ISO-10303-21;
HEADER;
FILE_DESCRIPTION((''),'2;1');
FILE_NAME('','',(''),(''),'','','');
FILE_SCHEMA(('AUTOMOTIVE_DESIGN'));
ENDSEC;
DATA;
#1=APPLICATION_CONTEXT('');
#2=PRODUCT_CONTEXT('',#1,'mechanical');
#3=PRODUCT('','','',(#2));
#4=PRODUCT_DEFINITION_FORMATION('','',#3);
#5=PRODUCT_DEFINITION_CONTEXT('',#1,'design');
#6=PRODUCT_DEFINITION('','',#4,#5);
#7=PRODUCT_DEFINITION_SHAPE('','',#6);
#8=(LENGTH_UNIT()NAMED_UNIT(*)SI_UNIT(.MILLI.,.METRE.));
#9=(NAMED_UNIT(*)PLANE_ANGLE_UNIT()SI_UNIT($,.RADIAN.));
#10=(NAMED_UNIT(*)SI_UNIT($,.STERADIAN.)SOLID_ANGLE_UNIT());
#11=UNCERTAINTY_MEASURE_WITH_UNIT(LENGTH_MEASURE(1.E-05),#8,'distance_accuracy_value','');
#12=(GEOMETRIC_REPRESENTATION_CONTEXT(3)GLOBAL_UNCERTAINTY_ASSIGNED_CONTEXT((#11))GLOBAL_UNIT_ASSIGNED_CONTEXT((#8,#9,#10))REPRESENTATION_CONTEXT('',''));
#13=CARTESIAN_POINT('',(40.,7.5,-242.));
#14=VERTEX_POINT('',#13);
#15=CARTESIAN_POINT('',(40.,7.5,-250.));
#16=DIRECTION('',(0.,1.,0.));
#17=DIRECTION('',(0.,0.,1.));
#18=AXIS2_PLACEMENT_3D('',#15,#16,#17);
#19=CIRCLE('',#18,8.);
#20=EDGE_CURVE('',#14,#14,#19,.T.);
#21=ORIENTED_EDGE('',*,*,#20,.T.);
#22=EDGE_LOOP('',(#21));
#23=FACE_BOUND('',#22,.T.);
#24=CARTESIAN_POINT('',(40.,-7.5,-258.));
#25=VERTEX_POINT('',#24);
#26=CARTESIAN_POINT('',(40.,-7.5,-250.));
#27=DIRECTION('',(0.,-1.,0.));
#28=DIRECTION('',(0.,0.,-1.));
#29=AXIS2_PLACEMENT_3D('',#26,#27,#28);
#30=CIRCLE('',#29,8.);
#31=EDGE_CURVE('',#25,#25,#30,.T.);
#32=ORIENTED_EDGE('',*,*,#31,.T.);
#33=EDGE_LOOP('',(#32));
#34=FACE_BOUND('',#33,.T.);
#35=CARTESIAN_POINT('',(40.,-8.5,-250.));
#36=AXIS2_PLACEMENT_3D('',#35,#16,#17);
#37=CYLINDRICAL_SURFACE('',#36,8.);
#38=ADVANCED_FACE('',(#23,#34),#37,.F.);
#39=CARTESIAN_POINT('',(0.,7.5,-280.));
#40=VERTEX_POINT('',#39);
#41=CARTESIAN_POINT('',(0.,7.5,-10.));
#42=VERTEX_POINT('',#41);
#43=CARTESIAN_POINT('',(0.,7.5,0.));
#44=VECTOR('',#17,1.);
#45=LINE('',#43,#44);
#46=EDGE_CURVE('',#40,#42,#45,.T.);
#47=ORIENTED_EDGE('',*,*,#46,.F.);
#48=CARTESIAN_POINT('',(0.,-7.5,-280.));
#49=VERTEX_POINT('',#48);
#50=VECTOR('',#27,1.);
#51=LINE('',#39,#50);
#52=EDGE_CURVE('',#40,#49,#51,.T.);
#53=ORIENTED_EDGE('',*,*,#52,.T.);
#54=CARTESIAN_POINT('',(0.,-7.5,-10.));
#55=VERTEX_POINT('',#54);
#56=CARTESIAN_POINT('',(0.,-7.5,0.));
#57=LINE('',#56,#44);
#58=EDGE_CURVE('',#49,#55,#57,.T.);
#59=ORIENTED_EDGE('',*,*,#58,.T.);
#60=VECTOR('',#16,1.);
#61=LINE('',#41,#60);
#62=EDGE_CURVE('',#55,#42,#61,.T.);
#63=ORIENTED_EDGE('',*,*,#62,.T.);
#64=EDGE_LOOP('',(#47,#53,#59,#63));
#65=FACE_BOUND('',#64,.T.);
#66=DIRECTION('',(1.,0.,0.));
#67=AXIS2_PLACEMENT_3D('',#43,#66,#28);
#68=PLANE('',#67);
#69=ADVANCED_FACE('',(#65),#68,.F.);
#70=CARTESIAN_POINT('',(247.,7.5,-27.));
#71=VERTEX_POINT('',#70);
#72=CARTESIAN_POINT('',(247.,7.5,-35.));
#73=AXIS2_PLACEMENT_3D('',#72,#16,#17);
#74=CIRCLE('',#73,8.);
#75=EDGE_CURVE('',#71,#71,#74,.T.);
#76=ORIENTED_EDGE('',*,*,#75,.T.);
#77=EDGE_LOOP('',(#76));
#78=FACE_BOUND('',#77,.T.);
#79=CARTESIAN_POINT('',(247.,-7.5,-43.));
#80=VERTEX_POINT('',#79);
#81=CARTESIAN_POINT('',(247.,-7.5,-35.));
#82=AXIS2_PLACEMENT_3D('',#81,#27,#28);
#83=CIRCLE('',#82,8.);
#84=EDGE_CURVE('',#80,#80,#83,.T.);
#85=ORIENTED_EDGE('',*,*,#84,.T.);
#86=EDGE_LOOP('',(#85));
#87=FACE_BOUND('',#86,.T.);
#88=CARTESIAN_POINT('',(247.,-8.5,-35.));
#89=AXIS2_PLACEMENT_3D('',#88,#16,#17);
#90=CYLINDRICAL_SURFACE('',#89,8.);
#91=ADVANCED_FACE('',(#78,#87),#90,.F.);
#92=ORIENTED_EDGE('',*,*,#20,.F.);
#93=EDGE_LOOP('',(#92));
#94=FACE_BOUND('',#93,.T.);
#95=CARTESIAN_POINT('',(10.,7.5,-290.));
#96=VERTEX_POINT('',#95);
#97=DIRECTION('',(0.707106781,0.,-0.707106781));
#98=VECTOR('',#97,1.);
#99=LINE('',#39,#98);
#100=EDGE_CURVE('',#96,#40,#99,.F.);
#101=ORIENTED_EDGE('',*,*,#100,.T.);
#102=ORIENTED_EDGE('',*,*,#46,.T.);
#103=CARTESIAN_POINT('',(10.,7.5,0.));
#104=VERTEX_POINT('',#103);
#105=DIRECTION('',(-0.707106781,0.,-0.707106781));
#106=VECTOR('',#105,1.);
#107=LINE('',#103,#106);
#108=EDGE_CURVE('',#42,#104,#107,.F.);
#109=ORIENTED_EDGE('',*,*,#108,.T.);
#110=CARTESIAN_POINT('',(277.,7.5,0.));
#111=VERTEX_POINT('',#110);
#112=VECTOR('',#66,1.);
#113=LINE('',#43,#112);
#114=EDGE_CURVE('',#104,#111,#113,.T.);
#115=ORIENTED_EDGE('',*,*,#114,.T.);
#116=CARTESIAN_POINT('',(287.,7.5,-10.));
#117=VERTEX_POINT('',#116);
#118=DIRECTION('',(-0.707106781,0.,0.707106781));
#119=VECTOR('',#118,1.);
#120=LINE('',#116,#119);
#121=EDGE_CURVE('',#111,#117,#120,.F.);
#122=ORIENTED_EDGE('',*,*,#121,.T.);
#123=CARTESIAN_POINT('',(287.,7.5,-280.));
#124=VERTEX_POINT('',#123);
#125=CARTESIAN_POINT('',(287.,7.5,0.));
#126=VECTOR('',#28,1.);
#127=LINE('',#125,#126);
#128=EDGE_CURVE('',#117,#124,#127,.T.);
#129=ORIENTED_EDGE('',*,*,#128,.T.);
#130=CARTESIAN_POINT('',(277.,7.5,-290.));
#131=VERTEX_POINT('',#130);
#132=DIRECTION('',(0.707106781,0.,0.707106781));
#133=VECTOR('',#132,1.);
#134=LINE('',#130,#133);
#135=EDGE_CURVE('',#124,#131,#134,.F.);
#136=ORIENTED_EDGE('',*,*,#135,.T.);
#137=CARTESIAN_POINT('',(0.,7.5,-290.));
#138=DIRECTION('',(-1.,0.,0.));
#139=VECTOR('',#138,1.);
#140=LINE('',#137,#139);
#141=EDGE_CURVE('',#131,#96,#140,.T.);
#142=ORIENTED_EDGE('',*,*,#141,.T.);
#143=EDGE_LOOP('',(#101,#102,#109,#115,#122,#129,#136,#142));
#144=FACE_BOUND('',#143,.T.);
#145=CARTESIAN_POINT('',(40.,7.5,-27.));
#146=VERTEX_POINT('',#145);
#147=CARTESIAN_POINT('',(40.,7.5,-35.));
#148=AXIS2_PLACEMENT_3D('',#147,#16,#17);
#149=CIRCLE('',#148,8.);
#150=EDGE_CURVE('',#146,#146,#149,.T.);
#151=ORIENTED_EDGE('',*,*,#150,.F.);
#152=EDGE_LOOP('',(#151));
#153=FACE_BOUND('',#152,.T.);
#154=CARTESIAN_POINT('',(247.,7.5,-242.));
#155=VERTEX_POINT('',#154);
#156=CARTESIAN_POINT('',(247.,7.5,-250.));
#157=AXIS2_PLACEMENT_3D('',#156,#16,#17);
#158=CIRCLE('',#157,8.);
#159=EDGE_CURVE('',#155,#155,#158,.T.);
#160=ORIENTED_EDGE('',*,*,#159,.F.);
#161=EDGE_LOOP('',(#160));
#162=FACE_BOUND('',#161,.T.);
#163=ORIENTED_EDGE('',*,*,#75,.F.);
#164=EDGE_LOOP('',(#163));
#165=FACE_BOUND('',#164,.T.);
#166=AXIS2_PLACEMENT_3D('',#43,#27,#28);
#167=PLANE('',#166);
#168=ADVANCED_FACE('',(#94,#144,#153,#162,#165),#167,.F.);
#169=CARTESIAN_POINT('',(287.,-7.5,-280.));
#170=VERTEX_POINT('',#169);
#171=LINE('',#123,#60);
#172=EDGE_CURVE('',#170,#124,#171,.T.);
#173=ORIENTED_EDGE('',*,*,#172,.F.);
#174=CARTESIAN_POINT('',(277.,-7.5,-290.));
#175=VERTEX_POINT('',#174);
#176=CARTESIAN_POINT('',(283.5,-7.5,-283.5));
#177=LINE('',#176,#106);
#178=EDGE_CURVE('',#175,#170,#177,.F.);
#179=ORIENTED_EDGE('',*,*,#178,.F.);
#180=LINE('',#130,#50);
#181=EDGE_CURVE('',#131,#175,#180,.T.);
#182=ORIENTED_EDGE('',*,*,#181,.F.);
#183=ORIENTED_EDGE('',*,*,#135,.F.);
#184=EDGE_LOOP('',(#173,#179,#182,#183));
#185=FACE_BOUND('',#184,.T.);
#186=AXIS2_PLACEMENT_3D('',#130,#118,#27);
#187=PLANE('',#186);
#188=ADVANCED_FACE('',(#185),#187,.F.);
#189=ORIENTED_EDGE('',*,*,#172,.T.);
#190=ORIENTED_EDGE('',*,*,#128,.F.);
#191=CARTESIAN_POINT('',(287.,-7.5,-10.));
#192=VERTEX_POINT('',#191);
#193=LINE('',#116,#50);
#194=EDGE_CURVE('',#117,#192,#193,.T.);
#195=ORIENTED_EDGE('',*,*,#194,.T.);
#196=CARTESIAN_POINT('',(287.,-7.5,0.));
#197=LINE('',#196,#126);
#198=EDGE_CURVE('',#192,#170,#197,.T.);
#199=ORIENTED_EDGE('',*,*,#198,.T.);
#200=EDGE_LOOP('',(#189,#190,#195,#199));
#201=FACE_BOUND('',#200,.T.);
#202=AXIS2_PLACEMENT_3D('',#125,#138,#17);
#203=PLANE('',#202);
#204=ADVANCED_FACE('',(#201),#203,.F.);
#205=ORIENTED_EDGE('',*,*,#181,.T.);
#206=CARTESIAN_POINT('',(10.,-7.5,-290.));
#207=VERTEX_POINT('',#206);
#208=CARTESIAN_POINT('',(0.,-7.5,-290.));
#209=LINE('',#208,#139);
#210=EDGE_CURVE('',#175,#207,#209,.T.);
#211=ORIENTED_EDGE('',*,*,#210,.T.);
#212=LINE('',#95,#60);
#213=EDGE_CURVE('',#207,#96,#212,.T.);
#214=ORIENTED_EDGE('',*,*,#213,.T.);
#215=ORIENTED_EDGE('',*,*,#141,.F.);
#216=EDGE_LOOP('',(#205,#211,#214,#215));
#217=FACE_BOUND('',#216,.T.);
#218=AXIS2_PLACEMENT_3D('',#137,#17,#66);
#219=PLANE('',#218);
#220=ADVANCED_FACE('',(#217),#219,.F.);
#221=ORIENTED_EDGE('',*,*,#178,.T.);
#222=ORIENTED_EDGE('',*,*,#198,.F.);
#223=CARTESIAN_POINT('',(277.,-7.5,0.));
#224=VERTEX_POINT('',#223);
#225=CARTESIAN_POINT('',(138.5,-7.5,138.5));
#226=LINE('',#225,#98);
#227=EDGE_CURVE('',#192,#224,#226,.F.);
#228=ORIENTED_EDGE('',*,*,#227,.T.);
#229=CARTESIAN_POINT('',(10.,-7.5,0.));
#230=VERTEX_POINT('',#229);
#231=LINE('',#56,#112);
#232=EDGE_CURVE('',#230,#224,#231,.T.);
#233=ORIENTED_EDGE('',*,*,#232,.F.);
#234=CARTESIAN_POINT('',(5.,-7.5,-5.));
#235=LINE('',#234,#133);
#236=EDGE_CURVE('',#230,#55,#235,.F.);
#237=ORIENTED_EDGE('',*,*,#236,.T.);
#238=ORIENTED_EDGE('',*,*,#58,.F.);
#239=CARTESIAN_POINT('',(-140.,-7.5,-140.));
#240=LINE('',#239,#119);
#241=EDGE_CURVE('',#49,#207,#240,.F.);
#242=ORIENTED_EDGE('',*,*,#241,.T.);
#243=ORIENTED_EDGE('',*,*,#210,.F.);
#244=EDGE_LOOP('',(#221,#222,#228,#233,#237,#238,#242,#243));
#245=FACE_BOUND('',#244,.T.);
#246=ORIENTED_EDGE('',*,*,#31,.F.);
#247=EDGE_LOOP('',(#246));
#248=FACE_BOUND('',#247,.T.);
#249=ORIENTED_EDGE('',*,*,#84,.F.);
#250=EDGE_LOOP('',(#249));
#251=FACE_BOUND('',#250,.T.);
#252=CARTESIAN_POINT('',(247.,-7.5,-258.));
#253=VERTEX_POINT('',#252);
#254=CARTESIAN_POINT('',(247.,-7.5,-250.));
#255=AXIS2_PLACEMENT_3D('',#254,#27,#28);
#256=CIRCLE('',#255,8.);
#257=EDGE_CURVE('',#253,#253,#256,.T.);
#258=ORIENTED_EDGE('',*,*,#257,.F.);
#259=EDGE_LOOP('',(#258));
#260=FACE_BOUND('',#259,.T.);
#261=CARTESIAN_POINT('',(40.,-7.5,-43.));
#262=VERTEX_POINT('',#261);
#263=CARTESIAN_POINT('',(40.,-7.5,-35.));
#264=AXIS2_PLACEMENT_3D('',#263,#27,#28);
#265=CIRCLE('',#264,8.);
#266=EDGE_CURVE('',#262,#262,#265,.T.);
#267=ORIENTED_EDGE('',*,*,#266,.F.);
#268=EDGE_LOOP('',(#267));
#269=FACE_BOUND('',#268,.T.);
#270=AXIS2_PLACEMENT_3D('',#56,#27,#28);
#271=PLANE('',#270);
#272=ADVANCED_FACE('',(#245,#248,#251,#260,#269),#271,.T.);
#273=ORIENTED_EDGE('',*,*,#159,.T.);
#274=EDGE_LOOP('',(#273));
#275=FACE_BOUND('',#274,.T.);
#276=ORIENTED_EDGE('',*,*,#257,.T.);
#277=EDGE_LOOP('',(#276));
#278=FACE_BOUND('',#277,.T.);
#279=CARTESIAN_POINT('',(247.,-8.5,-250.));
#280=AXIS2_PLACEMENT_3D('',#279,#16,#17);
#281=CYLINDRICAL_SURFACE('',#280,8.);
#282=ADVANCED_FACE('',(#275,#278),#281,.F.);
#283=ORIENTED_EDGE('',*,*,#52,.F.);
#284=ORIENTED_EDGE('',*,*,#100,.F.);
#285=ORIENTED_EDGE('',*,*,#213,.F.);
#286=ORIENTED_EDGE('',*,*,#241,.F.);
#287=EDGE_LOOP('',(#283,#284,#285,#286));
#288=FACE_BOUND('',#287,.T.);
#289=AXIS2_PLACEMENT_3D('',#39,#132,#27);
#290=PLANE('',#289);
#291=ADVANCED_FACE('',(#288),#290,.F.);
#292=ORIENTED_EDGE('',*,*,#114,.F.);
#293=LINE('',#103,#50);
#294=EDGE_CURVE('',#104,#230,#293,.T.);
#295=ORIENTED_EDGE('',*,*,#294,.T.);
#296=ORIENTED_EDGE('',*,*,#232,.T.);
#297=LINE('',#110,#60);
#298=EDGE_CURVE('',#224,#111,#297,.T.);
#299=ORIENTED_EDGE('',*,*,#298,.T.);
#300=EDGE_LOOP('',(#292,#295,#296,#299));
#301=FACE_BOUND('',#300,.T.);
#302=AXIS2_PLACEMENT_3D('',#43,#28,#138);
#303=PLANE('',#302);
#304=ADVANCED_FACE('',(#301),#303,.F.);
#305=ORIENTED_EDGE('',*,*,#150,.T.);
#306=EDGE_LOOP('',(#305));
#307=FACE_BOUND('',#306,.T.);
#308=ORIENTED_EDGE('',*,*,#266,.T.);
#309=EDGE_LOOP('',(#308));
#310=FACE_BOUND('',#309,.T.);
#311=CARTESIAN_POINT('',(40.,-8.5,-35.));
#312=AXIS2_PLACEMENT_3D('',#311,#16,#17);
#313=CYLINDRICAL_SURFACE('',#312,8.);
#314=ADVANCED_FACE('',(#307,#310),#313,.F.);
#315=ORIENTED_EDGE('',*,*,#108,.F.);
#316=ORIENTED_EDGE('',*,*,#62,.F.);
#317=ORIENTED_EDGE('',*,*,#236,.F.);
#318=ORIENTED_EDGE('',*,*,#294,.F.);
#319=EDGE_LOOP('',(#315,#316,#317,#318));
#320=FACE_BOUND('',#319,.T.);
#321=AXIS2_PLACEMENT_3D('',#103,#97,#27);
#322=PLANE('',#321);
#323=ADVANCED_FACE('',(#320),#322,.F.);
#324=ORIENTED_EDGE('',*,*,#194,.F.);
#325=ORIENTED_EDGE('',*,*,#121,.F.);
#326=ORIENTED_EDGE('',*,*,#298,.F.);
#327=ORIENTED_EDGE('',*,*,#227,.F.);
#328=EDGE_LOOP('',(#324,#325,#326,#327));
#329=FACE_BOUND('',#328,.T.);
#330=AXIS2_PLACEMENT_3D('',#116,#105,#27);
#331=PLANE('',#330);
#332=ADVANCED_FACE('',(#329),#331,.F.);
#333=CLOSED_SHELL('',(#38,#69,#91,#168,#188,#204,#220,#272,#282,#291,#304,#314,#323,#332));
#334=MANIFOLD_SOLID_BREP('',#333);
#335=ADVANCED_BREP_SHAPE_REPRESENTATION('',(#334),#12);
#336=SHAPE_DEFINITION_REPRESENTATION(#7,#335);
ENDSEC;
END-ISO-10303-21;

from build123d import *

# Parameters (mm, degrees)
SKETCH1_W           = 287
SKETCH1_H           = 290
BOSS_EXTRUDE1_DEPTH = 7.5
CHAMFER1_SIZE       = 10
SKETCH3_R           = 8
CUT_EXTRUDE1_DEPTH  = 16


with BuildPart() as part:
    # Sketch1 → Boss-Extrude1 (new body, symmetric)
    with BuildSketch(Plane(origin=(0, 0, 0), x_dir=(1, 0, 0), z_dir=(0, 1, 0))):
        with Locations((143.5, 145)):
            Rectangle(SKETCH1_W, SKETCH1_H)
    extrude(amount=BOSS_EXTRUDE1_DEPTH, both=True)

    # Chamfer1
    chamfer1_edges = [part.edges().sort_by_distance(p)[0] for p in [
        (0, 0, -290),
        (287, 0, -290),
        (287, 0, 0),
        (0, 0, 0),
    ]]
    chamfer(chamfer1_edges, length=CHAMFER1_SIZE)

    # Sketch3 → Cut-Extrude1 (cut)
    with BuildSketch(Plane(origin=(0, 7.5, 0), x_dir=(1, 0, 0), z_dir=(0, 1, 0))):
        with Locations((40, 35)):
            Circle(SKETCH3_R)
        with Locations((40, 250)):
            Circle(SKETCH3_R)
        with Locations((247, 250)):
            Circle(SKETCH3_R)
        with Locations((247, 35)):
            Circle(SKETCH3_R)
    extrude(amount=-CUT_EXTRUDE1_DEPTH, mode=Mode.SUBTRACT)


solid = part.part
